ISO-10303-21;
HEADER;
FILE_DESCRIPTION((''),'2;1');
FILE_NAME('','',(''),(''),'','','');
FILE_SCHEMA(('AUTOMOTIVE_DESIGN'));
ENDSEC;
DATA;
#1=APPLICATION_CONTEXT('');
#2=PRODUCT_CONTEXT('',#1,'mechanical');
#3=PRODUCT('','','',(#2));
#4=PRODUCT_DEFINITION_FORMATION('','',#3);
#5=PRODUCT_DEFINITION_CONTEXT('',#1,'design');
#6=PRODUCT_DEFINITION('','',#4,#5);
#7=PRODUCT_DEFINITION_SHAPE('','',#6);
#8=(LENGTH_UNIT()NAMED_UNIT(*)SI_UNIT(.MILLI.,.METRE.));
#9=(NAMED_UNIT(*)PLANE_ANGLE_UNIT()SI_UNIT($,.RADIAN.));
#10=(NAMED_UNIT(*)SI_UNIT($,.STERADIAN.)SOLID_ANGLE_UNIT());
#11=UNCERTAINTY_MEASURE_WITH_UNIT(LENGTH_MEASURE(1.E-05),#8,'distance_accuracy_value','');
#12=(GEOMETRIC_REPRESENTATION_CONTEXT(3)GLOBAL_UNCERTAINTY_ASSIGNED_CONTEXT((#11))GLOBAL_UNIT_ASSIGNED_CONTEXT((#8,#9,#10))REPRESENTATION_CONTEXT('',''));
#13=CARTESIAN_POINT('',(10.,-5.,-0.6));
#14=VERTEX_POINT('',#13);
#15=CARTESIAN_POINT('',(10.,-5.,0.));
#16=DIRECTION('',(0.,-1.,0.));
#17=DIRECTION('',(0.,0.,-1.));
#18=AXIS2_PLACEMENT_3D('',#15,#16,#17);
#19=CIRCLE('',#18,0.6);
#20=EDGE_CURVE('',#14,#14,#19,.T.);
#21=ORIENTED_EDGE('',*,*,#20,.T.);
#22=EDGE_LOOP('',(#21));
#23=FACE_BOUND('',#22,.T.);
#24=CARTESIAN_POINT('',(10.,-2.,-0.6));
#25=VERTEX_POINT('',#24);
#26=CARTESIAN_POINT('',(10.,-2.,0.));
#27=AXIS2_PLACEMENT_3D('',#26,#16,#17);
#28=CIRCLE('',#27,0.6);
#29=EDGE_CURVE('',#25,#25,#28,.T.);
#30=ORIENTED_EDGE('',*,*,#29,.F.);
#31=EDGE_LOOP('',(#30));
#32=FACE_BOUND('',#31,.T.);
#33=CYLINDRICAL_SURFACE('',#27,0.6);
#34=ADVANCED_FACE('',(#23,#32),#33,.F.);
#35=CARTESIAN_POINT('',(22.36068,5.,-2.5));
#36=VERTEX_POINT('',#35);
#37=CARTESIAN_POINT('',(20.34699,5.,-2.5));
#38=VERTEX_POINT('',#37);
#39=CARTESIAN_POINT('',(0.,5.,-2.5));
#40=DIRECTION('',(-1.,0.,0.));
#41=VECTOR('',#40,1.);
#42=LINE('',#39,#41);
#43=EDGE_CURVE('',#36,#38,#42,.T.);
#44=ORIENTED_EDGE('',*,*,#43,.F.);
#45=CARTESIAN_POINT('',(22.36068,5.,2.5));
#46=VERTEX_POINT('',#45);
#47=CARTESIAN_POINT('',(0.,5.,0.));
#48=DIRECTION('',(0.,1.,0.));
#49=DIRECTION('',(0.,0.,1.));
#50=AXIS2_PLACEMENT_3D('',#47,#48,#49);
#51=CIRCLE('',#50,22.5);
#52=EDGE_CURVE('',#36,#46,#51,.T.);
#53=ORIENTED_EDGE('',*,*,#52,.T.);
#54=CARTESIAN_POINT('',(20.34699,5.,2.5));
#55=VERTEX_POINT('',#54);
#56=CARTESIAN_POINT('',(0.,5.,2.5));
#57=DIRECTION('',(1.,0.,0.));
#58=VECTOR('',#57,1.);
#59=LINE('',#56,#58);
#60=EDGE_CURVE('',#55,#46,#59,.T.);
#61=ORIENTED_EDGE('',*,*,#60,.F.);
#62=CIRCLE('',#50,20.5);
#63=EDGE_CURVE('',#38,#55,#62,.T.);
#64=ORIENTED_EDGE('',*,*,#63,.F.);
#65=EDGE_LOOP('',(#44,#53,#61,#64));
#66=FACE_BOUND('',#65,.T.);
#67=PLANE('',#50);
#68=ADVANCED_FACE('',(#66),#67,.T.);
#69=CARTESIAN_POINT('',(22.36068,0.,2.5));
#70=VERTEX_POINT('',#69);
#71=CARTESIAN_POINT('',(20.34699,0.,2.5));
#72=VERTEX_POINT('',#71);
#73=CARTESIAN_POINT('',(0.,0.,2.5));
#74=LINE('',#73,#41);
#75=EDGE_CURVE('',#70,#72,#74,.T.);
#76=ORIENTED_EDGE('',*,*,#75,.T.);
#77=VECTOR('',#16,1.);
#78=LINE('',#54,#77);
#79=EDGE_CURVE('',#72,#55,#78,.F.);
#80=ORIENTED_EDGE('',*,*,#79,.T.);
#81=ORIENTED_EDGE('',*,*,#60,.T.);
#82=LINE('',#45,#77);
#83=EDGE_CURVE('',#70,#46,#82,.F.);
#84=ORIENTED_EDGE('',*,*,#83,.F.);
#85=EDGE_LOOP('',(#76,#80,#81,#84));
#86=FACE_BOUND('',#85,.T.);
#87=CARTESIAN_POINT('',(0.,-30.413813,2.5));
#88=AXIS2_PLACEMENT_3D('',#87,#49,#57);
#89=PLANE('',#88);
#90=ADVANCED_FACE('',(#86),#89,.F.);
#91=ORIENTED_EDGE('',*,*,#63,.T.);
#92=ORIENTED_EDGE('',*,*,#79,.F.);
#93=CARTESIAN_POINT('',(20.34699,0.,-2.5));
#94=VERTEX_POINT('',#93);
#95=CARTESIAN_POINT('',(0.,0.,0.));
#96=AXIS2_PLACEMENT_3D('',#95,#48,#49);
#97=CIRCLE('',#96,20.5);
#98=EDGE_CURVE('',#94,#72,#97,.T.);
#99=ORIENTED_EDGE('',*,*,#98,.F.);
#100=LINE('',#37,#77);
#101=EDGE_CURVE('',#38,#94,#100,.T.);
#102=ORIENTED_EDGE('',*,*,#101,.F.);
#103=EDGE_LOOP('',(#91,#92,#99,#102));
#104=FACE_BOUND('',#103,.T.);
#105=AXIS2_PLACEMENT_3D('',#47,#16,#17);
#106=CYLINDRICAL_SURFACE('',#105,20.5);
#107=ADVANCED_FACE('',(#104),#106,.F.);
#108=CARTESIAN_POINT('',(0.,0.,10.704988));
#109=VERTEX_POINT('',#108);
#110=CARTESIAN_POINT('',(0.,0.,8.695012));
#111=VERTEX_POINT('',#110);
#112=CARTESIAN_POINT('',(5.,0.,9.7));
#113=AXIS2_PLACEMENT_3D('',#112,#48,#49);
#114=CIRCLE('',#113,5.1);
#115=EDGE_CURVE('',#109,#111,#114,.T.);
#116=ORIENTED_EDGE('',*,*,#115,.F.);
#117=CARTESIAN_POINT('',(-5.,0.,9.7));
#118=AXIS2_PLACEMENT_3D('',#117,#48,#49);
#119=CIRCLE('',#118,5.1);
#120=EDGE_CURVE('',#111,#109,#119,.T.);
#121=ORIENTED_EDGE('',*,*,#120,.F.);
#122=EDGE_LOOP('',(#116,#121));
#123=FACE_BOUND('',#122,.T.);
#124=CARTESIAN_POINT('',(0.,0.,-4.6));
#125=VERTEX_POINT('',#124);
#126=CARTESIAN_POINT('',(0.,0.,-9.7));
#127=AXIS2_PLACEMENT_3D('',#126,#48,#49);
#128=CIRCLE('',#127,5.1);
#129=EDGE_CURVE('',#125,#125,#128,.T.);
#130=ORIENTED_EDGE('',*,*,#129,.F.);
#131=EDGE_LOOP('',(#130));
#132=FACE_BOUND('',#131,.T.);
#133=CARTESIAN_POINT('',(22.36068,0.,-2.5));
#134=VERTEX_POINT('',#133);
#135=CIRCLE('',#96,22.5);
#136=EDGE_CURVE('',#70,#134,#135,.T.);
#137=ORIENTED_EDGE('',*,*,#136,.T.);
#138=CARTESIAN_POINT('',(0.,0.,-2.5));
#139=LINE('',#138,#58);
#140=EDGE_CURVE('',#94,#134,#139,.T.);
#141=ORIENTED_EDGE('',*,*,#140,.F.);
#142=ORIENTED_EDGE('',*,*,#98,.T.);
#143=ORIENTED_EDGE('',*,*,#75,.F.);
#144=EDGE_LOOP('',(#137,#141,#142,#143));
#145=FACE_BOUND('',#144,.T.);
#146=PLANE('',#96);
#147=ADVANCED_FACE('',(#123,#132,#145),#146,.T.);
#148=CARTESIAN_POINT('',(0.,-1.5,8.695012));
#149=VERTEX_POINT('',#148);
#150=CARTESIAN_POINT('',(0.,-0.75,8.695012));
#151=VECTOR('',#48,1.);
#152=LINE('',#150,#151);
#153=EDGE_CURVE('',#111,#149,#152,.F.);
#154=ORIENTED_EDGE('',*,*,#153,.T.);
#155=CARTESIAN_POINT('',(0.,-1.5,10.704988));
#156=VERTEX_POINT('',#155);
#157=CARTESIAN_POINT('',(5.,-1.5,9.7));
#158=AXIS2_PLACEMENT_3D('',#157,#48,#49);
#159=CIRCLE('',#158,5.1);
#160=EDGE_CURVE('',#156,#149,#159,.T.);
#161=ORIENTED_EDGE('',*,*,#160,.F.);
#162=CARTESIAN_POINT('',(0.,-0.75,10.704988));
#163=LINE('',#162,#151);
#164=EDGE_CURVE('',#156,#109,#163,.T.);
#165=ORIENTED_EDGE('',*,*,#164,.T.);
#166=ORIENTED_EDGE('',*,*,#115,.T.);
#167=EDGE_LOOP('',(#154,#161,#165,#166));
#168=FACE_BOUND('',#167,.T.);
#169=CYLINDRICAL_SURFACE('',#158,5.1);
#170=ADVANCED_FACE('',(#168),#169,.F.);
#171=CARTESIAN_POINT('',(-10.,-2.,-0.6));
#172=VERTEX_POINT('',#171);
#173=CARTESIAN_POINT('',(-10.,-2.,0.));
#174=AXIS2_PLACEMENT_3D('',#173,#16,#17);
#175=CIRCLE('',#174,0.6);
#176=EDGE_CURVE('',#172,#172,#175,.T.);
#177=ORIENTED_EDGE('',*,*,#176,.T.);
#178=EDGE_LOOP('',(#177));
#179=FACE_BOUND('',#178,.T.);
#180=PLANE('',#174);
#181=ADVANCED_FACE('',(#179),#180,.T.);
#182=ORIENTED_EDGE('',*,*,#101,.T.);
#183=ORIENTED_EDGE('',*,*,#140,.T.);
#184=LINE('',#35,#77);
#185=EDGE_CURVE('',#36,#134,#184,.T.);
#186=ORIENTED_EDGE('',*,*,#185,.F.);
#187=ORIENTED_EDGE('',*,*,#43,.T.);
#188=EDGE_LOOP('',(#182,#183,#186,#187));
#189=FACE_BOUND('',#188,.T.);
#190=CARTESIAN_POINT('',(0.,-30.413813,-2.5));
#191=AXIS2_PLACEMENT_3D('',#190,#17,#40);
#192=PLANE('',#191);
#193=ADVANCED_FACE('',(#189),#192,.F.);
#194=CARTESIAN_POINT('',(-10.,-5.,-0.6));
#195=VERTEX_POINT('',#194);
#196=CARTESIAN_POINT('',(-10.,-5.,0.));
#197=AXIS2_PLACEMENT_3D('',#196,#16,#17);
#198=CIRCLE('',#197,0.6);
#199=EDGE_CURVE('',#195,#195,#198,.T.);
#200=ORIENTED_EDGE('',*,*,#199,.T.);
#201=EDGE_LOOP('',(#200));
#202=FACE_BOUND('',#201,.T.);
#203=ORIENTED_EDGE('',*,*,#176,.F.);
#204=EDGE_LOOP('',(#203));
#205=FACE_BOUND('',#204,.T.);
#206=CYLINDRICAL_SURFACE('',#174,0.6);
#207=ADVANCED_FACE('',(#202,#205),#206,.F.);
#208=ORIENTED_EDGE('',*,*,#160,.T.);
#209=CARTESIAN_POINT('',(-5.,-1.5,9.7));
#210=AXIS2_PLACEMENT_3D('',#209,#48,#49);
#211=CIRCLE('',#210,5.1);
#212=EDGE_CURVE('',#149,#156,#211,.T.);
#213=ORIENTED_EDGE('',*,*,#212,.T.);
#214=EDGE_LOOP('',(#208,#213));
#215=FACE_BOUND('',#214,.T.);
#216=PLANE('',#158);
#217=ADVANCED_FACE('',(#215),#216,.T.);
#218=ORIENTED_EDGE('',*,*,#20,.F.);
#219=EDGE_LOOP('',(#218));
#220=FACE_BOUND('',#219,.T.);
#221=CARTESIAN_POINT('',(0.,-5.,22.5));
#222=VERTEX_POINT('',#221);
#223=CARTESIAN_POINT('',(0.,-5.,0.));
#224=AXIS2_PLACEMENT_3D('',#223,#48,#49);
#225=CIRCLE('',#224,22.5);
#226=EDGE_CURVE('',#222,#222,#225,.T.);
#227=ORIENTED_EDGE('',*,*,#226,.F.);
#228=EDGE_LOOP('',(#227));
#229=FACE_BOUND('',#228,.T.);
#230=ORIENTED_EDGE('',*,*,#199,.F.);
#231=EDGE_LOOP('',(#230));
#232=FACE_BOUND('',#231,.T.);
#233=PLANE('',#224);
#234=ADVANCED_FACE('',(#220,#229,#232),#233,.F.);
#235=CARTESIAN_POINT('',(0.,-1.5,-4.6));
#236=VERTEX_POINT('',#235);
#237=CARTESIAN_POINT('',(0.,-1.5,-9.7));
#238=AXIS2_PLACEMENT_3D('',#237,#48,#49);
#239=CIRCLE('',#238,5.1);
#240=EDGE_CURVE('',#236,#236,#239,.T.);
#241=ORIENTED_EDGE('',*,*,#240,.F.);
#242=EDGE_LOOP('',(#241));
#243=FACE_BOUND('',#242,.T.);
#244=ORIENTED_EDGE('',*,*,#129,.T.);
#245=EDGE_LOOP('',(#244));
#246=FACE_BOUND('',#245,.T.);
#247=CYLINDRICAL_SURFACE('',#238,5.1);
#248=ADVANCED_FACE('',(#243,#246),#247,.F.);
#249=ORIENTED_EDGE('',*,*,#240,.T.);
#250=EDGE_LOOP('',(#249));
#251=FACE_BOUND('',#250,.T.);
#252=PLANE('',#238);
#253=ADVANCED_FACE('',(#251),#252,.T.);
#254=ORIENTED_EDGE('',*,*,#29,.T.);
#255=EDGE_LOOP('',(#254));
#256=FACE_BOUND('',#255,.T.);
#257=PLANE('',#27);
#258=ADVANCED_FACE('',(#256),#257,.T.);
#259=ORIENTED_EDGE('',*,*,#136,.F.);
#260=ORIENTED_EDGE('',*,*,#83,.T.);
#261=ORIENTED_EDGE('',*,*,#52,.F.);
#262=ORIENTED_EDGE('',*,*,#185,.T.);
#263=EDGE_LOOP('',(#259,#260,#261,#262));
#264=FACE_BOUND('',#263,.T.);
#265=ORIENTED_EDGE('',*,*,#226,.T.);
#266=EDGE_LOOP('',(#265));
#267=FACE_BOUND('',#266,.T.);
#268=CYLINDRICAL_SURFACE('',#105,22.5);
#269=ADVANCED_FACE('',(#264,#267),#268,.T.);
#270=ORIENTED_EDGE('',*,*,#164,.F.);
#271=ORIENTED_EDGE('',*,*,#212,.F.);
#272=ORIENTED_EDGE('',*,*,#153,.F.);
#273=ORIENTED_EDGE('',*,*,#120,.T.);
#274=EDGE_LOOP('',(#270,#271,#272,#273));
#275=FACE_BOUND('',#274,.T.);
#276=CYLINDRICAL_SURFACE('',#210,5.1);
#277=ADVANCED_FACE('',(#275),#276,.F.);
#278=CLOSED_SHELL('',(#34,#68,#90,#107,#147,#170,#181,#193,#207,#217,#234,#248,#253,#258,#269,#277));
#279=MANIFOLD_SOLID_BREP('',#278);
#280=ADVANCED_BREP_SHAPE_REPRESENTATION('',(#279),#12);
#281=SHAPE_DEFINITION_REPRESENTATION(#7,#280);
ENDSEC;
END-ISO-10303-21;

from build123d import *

# Parameters (mm, degrees)
SKETCH_1_R          = 22.5
SKETCH_1_R_2        = 20.5
EXTRUDE_1_DEPTH     = 5
EXTRUDE_START       = -5
SKETCH_1_4_R        = 22.5
EXTRUDE_2_DEPTH     = 5
SKETCH_2_R          = 5.1
CUT_EXTRUDE_1_DEPTH = 1.5
SKETCH_3_W          = 30
SKETCH_3_H          = 5
CUT_EXTRUDE_2_DEPTH = 5
SKETCH_4_R          = 0.6
CUT_EXTRUDE_3_DEPTH = 3


with BuildPart() as part:
    # 草图1 → 凸台-拉伸1 (new body)
    with BuildSketch(Plane(origin=(0, 0, 0), x_dir=(1, 0, 0), z_dir=(0, 1, 0))):
        with Locations(Location((0, 0, 0), (0, 0, 270))):
            Circle(SKETCH_1_R)
        with Locations(Location((0, 0, 0), (0, 0, 270))):
            Circle(SKETCH_1_R_2, mode=Mode.SUBTRACT)
    extrude(amount=EXTRUDE_1_DEPTH)

    # 草图1<4> → 凸台-拉伸2 (add)
    with BuildSketch(Plane(origin=(0, 0, 0), x_dir=(1, 0, 0), z_dir=(0, 1, 0)).offset(EXTRUDE_START)):
        with Locations(Location((0, 0, 0), (0, 0, 270))):
            Circle(SKETCH_1_4_R)
    extrude(amount=EXTRUDE_2_DEPTH)

    # 草图2 → 切除-拉伸1 (cut)
    with BuildSketch(Plane(origin=(0, 0, 0), x_dir=(1, 0, 0), z_dir=(0, 1, 0))):
        with Locations(Location((0, 9.7, 0), (0, 0, 270))):
            Circle(SKETCH_2_R)
        with Locations((-5, -9.7)):
            Circle(SKETCH_2_R)
        with Locations((5, -9.7)):
            Circle(SKETCH_2_R)
    extrude(amount=-CUT_EXTRUDE_1_DEPTH, mode=Mode.SUBTRACT)

    # 草图3 → 切除-拉伸2 (cut)
    with BuildSketch(Plane(origin=(0, 5, 0), x_dir=(1, 0, 0), z_dir=(0, 1, 0))):
        with Locations((15, 0)):
            Rectangle(SKETCH_3_W, SKETCH_3_H)
    extrude(amount=-CUT_EXTRUDE_2_DEPTH, mode=Mode.SUBTRACT)

    # 草图4 → 切除-拉伸3 (cut)
    with BuildSketch(Plane.XZ.offset(5)):
        with Locations(Location((-10, 0, 0), (0, 0, 270))):
            Circle(SKETCH_4_R)
        with Locations(Location((10, 0, 0), (0, 0, 270))):
            Circle(SKETCH_4_R)
    extrude(amount=-CUT_EXTRUDE_3_DEPTH, mode=Mode.SUBTRACT)


solid = part.part
